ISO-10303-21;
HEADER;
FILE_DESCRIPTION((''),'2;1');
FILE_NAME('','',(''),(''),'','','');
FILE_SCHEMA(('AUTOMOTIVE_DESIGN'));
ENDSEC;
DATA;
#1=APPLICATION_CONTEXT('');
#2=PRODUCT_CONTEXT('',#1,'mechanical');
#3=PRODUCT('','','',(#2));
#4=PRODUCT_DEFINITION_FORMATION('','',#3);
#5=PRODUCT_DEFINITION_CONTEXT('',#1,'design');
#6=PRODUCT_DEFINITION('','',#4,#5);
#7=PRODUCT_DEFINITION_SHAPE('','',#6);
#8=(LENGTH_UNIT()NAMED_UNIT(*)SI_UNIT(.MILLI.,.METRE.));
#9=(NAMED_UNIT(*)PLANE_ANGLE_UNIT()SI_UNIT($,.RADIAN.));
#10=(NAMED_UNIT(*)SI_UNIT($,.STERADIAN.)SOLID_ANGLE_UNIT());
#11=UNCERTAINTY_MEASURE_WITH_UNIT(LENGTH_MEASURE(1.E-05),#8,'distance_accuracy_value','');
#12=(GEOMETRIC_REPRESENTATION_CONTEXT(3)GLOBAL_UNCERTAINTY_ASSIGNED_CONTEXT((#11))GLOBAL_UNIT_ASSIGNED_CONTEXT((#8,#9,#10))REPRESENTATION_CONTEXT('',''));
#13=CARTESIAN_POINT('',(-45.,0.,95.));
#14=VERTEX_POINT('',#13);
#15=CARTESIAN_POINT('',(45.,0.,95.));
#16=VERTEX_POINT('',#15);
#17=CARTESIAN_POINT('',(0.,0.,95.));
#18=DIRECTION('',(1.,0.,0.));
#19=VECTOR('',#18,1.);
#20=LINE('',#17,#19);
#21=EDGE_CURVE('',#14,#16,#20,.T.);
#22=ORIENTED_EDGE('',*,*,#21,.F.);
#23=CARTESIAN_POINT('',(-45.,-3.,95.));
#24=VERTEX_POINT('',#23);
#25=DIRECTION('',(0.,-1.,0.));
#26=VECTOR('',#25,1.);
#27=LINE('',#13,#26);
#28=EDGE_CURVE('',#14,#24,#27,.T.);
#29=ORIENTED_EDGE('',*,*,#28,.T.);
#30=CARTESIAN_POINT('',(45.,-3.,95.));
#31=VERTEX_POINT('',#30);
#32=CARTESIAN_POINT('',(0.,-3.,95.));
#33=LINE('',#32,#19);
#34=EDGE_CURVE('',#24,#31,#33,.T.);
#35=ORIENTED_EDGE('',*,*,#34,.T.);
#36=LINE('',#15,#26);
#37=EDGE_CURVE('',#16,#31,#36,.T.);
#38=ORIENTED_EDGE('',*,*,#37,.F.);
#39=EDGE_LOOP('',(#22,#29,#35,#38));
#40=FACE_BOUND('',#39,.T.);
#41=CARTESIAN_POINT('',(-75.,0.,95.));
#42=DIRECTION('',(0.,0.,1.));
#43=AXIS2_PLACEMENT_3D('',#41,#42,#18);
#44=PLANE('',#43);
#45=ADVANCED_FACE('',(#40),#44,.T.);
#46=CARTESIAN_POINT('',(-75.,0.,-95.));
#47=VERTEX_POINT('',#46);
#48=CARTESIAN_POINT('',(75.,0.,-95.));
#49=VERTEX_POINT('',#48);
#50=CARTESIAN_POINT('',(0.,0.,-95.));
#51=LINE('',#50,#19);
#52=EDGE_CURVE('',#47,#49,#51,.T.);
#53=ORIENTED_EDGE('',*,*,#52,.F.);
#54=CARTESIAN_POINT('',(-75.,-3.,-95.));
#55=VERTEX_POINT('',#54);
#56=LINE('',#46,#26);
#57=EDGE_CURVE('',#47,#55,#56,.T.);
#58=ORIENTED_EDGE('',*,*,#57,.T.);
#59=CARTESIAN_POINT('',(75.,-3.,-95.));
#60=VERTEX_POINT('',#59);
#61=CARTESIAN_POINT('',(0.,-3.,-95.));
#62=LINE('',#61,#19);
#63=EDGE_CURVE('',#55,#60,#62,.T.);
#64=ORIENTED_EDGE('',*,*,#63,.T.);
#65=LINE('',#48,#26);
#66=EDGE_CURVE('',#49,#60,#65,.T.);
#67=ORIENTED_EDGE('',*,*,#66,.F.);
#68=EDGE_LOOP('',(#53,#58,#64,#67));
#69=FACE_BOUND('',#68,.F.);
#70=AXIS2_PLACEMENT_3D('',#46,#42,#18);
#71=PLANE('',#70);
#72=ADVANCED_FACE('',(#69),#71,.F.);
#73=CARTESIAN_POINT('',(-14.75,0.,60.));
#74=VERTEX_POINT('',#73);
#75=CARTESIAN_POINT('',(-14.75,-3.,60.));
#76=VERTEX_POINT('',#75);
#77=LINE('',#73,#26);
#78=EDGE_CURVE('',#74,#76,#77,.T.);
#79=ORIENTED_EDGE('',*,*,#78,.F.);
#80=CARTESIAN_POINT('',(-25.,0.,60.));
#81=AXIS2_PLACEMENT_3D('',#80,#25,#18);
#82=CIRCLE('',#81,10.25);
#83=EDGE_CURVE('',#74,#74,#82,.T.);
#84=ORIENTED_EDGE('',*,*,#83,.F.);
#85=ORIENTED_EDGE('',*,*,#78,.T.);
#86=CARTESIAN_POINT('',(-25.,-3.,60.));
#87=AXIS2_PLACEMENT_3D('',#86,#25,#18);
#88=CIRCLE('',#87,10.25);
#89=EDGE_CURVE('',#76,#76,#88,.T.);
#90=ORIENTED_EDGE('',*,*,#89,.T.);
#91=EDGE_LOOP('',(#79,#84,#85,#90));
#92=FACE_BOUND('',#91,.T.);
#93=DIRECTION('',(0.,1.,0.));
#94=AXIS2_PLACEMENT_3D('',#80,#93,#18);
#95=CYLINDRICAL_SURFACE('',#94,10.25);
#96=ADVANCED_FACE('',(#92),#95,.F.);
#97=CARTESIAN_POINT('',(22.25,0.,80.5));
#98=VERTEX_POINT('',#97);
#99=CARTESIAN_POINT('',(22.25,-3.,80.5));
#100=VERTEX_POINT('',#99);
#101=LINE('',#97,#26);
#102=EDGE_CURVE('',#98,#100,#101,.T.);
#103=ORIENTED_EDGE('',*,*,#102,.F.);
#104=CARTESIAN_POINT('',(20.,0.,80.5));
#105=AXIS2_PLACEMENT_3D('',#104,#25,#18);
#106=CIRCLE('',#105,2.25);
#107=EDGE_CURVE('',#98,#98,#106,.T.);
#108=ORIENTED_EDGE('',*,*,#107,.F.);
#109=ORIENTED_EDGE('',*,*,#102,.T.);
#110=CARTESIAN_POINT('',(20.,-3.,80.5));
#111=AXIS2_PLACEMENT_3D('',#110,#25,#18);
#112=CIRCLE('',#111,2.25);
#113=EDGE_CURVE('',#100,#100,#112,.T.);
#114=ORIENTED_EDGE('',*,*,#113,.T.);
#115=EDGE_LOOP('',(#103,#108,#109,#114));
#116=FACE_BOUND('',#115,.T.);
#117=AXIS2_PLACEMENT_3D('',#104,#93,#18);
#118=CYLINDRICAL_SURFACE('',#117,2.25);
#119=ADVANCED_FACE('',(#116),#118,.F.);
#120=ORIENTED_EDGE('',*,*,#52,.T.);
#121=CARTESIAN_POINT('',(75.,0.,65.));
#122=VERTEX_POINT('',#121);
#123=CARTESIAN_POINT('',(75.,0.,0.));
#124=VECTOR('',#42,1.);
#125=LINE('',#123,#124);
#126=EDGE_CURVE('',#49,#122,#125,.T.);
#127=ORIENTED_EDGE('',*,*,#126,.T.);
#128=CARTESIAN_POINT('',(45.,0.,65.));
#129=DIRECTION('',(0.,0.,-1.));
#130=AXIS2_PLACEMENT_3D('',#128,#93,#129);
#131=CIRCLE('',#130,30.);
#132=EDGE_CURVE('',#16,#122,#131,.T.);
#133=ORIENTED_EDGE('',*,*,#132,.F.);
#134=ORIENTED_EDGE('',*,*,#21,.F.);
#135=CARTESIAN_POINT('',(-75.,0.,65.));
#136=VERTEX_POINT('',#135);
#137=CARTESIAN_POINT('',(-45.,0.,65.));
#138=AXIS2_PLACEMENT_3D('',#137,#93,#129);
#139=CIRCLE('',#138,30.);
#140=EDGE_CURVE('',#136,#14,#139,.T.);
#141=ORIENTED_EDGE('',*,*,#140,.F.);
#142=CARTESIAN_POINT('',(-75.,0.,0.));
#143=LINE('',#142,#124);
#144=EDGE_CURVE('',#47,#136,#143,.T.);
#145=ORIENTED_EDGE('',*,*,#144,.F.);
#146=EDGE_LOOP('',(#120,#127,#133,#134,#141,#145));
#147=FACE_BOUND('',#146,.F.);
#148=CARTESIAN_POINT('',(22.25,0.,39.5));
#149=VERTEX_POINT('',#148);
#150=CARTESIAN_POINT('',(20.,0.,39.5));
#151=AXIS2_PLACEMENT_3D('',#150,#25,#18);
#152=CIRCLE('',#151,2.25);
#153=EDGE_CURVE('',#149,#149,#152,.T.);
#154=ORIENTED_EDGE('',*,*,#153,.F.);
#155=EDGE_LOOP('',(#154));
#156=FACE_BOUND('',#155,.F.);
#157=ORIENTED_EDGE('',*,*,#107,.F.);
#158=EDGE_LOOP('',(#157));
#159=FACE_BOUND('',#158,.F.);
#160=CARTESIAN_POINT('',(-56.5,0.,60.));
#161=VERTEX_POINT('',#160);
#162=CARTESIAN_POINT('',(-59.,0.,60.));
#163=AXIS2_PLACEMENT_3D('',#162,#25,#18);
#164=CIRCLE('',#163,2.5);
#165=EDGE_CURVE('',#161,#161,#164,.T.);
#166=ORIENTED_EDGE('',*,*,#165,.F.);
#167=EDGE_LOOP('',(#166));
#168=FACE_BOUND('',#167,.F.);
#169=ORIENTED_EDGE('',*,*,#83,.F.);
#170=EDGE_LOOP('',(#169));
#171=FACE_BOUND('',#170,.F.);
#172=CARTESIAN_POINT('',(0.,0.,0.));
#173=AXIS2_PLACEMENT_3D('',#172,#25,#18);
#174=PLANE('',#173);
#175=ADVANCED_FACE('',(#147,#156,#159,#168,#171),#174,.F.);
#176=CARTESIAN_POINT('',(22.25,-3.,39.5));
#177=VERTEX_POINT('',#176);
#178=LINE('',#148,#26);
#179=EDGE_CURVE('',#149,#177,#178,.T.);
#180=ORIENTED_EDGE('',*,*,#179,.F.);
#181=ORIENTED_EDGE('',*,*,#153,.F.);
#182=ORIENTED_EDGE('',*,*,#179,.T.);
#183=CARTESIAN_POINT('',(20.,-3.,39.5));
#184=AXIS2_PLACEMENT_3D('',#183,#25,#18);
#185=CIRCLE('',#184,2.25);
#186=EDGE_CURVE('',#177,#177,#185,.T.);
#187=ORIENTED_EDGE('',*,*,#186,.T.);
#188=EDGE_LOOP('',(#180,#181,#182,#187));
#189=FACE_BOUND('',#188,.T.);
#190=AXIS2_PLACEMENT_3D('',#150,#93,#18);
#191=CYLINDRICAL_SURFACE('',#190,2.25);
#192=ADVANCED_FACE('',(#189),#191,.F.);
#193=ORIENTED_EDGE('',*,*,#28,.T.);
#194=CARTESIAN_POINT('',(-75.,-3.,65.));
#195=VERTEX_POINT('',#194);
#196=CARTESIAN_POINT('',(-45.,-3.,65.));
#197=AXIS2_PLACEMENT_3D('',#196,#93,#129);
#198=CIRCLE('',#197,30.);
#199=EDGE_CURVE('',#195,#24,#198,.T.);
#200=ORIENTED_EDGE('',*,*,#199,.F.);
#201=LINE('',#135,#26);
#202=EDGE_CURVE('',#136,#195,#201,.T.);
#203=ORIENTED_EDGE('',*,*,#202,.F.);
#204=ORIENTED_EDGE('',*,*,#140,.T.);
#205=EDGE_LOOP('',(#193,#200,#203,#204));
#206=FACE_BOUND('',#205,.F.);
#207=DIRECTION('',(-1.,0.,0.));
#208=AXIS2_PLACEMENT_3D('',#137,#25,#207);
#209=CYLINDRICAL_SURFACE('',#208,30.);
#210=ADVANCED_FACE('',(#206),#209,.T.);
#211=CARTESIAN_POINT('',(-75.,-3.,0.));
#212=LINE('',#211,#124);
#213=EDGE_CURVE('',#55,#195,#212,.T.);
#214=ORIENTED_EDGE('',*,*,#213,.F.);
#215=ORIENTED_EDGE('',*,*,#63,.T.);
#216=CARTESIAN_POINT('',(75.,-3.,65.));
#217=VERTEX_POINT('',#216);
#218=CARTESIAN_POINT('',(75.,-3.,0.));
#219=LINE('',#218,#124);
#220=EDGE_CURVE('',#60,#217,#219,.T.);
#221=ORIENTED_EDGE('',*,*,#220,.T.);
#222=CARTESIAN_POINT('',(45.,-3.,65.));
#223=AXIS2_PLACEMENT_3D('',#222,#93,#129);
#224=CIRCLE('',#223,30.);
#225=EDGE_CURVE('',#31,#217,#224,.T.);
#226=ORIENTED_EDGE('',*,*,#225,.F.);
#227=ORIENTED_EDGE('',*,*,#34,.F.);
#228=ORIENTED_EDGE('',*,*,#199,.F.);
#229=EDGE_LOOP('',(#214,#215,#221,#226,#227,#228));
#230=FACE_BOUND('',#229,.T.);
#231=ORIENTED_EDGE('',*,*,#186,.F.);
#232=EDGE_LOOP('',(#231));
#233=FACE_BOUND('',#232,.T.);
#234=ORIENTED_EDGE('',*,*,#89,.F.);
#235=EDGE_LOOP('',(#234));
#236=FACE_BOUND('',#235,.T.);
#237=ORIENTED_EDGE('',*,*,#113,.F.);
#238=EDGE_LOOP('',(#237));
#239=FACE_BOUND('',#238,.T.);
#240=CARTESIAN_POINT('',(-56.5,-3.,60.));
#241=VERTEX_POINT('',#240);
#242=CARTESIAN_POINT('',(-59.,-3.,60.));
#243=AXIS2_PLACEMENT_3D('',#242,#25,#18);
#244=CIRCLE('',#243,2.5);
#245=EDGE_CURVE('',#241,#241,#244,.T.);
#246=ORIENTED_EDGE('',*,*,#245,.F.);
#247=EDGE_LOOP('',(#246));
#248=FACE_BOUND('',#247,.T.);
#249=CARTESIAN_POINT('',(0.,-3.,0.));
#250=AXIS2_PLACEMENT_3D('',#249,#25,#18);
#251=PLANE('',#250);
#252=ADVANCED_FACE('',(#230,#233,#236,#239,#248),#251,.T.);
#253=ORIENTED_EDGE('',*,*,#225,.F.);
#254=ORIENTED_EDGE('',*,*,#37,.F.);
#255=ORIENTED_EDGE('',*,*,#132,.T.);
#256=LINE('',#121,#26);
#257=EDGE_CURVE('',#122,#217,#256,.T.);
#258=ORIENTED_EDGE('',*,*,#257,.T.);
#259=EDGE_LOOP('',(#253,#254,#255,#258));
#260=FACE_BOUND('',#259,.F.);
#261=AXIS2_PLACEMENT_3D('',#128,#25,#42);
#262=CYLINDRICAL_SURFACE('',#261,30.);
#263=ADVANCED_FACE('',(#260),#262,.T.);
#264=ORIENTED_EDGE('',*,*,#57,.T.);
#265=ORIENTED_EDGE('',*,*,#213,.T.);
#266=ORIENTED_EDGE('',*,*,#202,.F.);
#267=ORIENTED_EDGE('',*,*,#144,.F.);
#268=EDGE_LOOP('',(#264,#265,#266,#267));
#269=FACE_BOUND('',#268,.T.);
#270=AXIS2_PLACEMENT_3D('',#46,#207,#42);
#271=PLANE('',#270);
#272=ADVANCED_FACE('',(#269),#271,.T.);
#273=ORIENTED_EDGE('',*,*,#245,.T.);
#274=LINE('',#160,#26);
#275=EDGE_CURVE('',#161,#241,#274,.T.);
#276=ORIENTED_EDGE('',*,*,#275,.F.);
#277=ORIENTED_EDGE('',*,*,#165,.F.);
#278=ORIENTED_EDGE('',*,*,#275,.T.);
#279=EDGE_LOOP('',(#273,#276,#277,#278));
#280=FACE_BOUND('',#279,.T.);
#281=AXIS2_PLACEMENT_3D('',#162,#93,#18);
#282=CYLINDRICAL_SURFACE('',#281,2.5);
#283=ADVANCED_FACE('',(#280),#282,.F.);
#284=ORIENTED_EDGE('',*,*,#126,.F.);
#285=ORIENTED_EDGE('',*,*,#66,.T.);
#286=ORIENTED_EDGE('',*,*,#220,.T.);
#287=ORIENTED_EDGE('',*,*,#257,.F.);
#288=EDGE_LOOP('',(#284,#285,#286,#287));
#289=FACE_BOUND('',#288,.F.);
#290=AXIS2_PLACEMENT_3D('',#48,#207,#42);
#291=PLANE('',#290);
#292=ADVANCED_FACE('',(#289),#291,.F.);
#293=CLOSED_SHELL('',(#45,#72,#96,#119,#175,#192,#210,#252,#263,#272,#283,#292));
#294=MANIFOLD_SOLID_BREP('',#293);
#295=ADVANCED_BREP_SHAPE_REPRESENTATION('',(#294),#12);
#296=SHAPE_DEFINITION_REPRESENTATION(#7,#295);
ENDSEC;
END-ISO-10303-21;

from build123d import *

# Parameters (mm, degrees)
F0_W     = 150
F0_H     = 190
F0_R     = 2.5
F0_R_2   = 10.25
F0_R_3   = 2.25
F1_DEPTH = 3
F2_R     = 30


with BuildPart() as f1:
    # F0 (on Front) → F1 (new body)
    with BuildSketch(Plane.XZ):
        Rectangle(F0_W, F0_H)
        with Locations((-59, 60)):
            Circle(F0_R, mode=Mode.SUBTRACT)
        with Locations((-25, 60)):
            Circle(F0_R_2, mode=Mode.SUBTRACT)
        with Locations((20, 39.5)):
            Circle(F0_R_3, mode=Mode.SUBTRACT)
        with Locations((20, 80.5)):
            Circle(F0_R_3, mode=Mode.SUBTRACT)
    extrude(amount=F1_DEPTH)

    # F2
    f2_edges = [f1.edges().sort_by_distance(p)[0] for p in [
        (75, -1.5, 95),
        (-75, -1.5, 95),
    ]]
    fillet(f2_edges, radius=F2_R)


solid = f1.part
